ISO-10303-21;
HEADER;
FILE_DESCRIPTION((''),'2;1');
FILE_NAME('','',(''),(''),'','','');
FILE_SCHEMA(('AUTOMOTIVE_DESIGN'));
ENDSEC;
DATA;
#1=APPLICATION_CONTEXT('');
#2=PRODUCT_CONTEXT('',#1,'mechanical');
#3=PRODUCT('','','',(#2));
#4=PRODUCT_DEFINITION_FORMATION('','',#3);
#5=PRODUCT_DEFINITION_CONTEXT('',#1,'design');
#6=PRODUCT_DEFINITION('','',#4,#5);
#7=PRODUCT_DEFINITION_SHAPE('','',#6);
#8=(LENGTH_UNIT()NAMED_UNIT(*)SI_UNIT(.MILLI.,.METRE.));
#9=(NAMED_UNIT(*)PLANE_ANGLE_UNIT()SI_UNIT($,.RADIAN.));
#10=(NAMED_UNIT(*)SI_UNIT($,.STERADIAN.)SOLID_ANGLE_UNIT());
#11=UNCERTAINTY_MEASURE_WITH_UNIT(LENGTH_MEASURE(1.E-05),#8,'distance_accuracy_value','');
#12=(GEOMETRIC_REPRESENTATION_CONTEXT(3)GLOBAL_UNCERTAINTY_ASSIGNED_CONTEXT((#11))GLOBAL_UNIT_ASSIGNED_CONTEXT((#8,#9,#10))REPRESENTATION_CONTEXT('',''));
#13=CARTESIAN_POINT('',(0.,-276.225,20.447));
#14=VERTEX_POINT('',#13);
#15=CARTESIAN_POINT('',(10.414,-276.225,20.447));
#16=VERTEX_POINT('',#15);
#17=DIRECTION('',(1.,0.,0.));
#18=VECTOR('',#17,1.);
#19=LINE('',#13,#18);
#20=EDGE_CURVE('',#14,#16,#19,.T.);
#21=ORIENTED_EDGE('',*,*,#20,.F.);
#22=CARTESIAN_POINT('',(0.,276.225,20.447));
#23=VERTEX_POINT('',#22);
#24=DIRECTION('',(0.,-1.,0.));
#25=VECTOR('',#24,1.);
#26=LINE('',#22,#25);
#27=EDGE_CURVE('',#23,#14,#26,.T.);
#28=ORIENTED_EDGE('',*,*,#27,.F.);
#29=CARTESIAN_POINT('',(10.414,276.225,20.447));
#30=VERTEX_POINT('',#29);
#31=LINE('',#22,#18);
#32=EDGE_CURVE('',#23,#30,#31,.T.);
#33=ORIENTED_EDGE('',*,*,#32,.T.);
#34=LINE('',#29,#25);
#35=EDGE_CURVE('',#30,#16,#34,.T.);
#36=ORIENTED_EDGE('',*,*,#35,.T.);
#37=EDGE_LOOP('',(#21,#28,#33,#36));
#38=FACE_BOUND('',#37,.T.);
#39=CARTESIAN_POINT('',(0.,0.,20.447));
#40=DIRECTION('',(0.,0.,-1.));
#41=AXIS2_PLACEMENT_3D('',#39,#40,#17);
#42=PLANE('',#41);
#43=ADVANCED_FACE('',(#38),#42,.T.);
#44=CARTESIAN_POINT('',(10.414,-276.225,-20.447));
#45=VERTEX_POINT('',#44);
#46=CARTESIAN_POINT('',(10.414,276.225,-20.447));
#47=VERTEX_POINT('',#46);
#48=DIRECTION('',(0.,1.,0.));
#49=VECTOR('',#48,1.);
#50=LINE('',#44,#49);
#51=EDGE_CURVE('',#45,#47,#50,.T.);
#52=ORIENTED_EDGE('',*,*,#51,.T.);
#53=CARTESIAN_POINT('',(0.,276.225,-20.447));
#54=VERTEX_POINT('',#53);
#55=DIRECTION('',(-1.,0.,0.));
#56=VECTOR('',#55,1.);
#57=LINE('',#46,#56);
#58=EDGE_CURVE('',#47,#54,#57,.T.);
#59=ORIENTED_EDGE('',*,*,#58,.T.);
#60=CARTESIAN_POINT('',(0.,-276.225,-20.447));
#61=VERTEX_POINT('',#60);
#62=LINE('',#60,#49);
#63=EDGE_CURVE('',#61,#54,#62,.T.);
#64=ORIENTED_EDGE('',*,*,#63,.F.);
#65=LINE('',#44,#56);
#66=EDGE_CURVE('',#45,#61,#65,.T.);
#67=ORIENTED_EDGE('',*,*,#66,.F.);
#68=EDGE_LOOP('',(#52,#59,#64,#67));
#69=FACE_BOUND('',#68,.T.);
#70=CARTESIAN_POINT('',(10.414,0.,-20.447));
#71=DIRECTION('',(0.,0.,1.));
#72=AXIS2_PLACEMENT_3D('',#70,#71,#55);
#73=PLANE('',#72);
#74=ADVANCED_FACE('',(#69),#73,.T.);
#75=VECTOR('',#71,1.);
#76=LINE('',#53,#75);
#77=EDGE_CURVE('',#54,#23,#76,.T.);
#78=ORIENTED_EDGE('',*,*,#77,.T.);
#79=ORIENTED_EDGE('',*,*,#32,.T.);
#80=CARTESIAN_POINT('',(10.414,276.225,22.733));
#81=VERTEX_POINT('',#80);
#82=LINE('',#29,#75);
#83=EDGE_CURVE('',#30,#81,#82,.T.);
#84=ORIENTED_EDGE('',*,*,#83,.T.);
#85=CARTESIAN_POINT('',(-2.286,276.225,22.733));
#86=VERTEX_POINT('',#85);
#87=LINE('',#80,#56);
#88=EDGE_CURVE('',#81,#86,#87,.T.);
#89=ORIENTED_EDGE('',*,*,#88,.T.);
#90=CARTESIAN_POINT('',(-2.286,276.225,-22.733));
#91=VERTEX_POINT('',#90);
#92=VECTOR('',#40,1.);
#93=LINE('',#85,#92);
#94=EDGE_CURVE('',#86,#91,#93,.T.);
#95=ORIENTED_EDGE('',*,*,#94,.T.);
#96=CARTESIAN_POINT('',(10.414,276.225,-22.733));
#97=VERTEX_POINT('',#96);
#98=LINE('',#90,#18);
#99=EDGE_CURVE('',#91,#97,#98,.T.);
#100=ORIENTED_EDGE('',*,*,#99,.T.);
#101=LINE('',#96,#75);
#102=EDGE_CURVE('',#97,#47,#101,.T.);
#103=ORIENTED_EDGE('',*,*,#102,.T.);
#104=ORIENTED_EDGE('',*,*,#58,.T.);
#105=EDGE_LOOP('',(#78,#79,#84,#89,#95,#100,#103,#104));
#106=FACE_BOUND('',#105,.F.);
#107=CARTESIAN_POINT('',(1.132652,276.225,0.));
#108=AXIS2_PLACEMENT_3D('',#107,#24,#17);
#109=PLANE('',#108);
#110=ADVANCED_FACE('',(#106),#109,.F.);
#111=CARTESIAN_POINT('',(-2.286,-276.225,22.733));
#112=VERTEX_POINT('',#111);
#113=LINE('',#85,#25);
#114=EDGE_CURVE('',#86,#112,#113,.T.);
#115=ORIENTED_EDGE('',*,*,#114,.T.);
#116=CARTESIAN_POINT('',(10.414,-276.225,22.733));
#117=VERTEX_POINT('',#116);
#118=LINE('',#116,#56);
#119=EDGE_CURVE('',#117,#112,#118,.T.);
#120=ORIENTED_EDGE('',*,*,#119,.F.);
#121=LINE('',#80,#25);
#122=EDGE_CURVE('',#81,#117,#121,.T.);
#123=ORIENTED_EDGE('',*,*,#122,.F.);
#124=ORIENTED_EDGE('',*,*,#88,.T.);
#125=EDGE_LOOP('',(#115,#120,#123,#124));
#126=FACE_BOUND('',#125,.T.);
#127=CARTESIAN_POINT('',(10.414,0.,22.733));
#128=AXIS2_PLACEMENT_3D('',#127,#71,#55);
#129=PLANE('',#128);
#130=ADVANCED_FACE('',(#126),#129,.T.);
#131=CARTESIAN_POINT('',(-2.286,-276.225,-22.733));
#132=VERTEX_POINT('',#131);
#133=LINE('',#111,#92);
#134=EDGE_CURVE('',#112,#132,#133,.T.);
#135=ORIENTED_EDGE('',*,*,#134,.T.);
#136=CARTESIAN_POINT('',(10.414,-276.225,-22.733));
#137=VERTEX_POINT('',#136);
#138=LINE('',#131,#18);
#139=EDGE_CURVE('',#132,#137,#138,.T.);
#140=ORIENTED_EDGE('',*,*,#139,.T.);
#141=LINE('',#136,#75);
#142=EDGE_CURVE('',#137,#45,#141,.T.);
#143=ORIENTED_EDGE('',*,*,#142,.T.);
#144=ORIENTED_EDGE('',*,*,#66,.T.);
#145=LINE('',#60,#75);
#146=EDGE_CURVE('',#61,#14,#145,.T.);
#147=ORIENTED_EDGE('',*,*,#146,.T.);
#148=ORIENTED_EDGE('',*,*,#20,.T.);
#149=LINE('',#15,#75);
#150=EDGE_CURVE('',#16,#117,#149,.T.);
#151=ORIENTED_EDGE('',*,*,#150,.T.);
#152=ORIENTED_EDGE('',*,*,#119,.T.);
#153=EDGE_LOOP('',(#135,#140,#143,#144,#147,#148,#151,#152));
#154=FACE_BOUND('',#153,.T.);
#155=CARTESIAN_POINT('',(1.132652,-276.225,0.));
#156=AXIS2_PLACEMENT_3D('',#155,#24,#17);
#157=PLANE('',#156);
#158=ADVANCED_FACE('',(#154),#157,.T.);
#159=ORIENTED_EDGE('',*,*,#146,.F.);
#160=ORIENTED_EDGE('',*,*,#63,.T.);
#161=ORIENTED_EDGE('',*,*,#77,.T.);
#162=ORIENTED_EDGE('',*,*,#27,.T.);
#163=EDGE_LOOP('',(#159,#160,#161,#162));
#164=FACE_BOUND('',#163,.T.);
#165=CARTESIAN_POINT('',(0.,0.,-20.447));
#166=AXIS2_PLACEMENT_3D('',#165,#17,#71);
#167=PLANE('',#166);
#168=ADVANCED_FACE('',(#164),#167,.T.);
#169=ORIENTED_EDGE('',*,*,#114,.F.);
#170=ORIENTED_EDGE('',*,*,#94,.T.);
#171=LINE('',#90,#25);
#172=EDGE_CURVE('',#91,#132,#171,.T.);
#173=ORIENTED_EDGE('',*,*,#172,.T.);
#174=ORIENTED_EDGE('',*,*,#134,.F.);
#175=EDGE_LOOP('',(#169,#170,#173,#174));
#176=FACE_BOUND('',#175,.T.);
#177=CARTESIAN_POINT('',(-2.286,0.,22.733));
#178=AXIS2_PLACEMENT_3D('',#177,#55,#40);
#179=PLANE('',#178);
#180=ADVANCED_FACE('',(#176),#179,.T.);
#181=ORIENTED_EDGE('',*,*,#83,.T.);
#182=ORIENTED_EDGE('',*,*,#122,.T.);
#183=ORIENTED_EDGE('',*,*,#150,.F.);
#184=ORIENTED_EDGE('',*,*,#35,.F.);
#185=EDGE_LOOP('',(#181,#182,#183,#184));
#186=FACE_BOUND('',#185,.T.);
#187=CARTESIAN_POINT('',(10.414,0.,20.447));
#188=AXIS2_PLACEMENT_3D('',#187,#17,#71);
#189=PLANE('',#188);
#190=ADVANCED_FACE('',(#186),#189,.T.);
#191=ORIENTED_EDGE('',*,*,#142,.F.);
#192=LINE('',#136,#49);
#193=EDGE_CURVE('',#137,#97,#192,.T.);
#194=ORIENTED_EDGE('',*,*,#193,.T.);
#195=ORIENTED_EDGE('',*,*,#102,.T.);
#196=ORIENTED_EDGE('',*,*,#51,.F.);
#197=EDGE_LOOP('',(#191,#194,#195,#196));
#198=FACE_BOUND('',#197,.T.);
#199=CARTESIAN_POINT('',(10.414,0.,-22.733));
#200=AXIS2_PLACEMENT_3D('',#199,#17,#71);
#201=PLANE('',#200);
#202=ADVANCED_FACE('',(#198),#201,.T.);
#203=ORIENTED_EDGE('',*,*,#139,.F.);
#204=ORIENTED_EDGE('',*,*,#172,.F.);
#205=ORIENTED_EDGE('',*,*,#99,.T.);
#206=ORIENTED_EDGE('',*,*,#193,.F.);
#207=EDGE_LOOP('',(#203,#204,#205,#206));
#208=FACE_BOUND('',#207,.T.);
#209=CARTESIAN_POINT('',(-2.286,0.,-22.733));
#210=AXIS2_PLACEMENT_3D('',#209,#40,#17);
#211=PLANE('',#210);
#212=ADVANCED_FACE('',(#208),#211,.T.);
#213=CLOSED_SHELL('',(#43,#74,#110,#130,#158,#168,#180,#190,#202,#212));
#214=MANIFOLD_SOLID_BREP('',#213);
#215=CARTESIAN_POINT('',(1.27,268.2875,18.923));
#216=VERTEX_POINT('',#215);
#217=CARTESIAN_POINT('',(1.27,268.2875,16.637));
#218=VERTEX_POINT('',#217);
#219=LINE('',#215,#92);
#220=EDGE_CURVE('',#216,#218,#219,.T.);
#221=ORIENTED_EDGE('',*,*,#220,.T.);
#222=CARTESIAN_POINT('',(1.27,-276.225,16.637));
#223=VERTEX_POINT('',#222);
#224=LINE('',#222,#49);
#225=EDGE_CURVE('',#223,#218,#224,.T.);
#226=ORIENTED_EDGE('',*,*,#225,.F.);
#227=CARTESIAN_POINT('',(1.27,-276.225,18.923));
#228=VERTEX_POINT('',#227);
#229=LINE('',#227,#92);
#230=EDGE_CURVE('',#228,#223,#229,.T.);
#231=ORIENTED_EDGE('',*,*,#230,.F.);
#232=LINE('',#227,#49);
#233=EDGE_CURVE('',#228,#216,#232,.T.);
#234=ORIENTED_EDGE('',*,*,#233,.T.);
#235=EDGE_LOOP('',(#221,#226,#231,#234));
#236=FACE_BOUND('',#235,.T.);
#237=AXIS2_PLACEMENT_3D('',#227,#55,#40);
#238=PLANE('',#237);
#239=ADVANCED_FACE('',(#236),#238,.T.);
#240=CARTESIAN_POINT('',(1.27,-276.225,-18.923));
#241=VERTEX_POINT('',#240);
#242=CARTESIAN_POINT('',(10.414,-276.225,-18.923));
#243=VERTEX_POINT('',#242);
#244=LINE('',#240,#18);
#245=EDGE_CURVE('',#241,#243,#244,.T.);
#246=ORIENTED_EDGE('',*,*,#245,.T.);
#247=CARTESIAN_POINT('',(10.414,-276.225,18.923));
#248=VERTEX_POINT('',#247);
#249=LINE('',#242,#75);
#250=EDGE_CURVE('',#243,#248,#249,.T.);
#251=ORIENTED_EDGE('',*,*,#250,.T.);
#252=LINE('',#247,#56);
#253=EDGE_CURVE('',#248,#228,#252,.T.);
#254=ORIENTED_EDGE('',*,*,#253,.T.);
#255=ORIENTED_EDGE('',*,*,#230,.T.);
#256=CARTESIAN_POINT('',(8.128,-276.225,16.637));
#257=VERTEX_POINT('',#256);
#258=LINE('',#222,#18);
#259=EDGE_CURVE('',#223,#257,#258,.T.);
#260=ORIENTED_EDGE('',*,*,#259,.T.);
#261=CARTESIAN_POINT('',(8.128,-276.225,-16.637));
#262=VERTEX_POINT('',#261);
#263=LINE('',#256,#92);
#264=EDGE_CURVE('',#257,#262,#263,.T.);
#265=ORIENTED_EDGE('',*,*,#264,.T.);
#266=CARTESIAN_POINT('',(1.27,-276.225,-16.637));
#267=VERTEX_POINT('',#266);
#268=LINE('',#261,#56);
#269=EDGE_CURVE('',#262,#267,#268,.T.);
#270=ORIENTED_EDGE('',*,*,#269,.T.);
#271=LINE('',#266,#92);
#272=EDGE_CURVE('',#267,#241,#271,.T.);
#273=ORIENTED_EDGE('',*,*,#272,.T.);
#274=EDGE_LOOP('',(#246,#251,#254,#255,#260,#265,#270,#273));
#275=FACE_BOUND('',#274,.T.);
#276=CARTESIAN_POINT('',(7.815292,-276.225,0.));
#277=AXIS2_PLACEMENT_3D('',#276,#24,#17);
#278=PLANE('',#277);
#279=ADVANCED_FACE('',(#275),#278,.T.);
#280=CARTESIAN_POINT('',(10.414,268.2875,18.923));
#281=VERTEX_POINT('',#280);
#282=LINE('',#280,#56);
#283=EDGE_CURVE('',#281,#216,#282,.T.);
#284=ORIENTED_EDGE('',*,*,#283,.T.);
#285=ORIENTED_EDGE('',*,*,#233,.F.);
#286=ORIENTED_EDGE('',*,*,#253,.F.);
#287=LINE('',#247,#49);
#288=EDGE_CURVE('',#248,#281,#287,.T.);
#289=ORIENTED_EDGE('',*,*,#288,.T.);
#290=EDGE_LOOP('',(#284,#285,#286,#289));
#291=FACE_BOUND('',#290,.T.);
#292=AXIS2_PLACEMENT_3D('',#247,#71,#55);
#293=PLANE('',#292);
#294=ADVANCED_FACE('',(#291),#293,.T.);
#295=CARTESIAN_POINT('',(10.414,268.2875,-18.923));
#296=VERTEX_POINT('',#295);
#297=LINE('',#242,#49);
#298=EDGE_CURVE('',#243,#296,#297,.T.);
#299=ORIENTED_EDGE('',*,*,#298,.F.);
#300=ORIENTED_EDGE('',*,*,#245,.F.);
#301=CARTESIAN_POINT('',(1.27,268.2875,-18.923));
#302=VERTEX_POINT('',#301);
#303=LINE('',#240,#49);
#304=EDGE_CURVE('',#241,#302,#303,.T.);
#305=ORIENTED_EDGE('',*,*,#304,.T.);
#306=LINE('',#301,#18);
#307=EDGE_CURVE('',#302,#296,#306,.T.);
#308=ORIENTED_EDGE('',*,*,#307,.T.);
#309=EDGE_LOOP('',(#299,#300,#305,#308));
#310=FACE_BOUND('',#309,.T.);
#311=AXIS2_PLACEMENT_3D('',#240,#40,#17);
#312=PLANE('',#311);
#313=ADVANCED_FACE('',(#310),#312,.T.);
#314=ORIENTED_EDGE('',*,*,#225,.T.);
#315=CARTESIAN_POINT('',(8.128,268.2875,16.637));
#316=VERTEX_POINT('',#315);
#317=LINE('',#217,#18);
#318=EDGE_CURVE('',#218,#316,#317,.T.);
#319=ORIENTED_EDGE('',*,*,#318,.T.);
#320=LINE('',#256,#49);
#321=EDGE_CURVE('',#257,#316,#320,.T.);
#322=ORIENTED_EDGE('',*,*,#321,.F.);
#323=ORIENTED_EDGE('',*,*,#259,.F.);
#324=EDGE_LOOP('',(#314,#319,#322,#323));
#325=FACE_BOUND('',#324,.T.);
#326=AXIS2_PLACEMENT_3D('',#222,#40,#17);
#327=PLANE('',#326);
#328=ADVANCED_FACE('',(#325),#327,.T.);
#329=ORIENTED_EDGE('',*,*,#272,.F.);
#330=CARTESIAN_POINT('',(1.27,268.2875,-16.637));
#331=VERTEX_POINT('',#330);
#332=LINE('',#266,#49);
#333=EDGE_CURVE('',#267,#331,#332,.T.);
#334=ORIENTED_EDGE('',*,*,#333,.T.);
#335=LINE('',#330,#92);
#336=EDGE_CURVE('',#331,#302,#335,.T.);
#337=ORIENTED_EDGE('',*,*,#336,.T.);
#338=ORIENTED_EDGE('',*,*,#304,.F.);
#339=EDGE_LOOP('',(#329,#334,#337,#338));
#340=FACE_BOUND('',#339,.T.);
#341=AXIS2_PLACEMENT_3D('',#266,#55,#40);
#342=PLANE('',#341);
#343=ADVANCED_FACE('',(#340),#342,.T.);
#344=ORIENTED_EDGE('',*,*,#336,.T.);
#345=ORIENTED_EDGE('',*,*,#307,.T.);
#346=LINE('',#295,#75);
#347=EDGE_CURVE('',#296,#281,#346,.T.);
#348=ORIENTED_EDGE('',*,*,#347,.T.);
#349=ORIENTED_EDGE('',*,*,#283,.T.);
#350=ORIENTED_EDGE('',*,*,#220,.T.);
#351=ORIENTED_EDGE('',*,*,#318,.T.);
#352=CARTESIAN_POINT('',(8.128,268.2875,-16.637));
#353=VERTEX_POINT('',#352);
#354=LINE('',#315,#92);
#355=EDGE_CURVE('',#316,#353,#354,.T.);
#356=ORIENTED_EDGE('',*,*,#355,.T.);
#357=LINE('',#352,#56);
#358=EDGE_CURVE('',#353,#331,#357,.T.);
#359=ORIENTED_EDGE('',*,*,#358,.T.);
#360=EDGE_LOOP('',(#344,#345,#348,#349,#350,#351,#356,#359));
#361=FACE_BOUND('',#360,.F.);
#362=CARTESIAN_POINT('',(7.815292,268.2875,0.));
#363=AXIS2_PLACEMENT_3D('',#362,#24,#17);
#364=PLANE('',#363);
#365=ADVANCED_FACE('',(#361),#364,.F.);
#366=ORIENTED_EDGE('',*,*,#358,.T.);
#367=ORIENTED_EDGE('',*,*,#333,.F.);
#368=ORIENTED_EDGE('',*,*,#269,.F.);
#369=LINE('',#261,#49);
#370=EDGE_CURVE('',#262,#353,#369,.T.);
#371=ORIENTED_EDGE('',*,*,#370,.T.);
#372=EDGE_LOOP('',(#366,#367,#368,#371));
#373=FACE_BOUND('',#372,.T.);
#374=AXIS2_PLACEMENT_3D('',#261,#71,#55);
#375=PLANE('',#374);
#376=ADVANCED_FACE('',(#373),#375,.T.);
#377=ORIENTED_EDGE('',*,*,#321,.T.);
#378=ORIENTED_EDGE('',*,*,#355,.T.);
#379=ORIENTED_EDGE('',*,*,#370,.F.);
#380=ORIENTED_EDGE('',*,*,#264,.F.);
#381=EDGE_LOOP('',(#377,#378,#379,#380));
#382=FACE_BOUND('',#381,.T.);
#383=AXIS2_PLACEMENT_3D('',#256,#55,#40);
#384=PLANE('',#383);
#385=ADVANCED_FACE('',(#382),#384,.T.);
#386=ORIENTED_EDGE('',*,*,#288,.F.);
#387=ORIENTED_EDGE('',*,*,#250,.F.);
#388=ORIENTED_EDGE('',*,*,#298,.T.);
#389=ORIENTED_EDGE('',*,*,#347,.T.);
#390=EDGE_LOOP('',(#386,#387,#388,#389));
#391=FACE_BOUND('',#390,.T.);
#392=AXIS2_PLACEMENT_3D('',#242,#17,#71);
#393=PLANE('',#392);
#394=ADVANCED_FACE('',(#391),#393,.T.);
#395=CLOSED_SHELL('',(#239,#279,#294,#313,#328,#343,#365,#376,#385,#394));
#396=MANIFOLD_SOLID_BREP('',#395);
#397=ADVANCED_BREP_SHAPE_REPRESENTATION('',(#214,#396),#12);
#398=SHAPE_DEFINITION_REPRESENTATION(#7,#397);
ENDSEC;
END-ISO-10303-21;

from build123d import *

# Parameters (mm, degrees)
F1_DEPTH = 276.225
F3_DEPTH = 544.5125


with BuildPart() as f1:
    # F0 (on Front) → F1 (new body, symmetric)
    with BuildSketch(Plane.XZ):
        Polygon((0, -20.447), (0, 20.447), (10.414, 20.447), (10.414, 22.733), (-2.286, 22.733), (-2.286, -22.733), (10.414, -22.733), (10.414, -20.447), align=None)
    extrude(amount=F1_DEPTH, both=True)


with BuildPart() as f3:
    # F2 (on face) → F3 (new body)
    with BuildSketch(Plane.XZ.offset(276.225)):
        Polygon((10.414, 18.923), (1.27, 18.923), (1.27, 16.637), (8.128, 16.637), (8.128, -16.637), (1.27, -16.637), (1.27, -18.923), (10.414, -18.923), align=None)
    extrude(amount=-F3_DEPTH)


solid = Compound([f1.part, f3.part])
